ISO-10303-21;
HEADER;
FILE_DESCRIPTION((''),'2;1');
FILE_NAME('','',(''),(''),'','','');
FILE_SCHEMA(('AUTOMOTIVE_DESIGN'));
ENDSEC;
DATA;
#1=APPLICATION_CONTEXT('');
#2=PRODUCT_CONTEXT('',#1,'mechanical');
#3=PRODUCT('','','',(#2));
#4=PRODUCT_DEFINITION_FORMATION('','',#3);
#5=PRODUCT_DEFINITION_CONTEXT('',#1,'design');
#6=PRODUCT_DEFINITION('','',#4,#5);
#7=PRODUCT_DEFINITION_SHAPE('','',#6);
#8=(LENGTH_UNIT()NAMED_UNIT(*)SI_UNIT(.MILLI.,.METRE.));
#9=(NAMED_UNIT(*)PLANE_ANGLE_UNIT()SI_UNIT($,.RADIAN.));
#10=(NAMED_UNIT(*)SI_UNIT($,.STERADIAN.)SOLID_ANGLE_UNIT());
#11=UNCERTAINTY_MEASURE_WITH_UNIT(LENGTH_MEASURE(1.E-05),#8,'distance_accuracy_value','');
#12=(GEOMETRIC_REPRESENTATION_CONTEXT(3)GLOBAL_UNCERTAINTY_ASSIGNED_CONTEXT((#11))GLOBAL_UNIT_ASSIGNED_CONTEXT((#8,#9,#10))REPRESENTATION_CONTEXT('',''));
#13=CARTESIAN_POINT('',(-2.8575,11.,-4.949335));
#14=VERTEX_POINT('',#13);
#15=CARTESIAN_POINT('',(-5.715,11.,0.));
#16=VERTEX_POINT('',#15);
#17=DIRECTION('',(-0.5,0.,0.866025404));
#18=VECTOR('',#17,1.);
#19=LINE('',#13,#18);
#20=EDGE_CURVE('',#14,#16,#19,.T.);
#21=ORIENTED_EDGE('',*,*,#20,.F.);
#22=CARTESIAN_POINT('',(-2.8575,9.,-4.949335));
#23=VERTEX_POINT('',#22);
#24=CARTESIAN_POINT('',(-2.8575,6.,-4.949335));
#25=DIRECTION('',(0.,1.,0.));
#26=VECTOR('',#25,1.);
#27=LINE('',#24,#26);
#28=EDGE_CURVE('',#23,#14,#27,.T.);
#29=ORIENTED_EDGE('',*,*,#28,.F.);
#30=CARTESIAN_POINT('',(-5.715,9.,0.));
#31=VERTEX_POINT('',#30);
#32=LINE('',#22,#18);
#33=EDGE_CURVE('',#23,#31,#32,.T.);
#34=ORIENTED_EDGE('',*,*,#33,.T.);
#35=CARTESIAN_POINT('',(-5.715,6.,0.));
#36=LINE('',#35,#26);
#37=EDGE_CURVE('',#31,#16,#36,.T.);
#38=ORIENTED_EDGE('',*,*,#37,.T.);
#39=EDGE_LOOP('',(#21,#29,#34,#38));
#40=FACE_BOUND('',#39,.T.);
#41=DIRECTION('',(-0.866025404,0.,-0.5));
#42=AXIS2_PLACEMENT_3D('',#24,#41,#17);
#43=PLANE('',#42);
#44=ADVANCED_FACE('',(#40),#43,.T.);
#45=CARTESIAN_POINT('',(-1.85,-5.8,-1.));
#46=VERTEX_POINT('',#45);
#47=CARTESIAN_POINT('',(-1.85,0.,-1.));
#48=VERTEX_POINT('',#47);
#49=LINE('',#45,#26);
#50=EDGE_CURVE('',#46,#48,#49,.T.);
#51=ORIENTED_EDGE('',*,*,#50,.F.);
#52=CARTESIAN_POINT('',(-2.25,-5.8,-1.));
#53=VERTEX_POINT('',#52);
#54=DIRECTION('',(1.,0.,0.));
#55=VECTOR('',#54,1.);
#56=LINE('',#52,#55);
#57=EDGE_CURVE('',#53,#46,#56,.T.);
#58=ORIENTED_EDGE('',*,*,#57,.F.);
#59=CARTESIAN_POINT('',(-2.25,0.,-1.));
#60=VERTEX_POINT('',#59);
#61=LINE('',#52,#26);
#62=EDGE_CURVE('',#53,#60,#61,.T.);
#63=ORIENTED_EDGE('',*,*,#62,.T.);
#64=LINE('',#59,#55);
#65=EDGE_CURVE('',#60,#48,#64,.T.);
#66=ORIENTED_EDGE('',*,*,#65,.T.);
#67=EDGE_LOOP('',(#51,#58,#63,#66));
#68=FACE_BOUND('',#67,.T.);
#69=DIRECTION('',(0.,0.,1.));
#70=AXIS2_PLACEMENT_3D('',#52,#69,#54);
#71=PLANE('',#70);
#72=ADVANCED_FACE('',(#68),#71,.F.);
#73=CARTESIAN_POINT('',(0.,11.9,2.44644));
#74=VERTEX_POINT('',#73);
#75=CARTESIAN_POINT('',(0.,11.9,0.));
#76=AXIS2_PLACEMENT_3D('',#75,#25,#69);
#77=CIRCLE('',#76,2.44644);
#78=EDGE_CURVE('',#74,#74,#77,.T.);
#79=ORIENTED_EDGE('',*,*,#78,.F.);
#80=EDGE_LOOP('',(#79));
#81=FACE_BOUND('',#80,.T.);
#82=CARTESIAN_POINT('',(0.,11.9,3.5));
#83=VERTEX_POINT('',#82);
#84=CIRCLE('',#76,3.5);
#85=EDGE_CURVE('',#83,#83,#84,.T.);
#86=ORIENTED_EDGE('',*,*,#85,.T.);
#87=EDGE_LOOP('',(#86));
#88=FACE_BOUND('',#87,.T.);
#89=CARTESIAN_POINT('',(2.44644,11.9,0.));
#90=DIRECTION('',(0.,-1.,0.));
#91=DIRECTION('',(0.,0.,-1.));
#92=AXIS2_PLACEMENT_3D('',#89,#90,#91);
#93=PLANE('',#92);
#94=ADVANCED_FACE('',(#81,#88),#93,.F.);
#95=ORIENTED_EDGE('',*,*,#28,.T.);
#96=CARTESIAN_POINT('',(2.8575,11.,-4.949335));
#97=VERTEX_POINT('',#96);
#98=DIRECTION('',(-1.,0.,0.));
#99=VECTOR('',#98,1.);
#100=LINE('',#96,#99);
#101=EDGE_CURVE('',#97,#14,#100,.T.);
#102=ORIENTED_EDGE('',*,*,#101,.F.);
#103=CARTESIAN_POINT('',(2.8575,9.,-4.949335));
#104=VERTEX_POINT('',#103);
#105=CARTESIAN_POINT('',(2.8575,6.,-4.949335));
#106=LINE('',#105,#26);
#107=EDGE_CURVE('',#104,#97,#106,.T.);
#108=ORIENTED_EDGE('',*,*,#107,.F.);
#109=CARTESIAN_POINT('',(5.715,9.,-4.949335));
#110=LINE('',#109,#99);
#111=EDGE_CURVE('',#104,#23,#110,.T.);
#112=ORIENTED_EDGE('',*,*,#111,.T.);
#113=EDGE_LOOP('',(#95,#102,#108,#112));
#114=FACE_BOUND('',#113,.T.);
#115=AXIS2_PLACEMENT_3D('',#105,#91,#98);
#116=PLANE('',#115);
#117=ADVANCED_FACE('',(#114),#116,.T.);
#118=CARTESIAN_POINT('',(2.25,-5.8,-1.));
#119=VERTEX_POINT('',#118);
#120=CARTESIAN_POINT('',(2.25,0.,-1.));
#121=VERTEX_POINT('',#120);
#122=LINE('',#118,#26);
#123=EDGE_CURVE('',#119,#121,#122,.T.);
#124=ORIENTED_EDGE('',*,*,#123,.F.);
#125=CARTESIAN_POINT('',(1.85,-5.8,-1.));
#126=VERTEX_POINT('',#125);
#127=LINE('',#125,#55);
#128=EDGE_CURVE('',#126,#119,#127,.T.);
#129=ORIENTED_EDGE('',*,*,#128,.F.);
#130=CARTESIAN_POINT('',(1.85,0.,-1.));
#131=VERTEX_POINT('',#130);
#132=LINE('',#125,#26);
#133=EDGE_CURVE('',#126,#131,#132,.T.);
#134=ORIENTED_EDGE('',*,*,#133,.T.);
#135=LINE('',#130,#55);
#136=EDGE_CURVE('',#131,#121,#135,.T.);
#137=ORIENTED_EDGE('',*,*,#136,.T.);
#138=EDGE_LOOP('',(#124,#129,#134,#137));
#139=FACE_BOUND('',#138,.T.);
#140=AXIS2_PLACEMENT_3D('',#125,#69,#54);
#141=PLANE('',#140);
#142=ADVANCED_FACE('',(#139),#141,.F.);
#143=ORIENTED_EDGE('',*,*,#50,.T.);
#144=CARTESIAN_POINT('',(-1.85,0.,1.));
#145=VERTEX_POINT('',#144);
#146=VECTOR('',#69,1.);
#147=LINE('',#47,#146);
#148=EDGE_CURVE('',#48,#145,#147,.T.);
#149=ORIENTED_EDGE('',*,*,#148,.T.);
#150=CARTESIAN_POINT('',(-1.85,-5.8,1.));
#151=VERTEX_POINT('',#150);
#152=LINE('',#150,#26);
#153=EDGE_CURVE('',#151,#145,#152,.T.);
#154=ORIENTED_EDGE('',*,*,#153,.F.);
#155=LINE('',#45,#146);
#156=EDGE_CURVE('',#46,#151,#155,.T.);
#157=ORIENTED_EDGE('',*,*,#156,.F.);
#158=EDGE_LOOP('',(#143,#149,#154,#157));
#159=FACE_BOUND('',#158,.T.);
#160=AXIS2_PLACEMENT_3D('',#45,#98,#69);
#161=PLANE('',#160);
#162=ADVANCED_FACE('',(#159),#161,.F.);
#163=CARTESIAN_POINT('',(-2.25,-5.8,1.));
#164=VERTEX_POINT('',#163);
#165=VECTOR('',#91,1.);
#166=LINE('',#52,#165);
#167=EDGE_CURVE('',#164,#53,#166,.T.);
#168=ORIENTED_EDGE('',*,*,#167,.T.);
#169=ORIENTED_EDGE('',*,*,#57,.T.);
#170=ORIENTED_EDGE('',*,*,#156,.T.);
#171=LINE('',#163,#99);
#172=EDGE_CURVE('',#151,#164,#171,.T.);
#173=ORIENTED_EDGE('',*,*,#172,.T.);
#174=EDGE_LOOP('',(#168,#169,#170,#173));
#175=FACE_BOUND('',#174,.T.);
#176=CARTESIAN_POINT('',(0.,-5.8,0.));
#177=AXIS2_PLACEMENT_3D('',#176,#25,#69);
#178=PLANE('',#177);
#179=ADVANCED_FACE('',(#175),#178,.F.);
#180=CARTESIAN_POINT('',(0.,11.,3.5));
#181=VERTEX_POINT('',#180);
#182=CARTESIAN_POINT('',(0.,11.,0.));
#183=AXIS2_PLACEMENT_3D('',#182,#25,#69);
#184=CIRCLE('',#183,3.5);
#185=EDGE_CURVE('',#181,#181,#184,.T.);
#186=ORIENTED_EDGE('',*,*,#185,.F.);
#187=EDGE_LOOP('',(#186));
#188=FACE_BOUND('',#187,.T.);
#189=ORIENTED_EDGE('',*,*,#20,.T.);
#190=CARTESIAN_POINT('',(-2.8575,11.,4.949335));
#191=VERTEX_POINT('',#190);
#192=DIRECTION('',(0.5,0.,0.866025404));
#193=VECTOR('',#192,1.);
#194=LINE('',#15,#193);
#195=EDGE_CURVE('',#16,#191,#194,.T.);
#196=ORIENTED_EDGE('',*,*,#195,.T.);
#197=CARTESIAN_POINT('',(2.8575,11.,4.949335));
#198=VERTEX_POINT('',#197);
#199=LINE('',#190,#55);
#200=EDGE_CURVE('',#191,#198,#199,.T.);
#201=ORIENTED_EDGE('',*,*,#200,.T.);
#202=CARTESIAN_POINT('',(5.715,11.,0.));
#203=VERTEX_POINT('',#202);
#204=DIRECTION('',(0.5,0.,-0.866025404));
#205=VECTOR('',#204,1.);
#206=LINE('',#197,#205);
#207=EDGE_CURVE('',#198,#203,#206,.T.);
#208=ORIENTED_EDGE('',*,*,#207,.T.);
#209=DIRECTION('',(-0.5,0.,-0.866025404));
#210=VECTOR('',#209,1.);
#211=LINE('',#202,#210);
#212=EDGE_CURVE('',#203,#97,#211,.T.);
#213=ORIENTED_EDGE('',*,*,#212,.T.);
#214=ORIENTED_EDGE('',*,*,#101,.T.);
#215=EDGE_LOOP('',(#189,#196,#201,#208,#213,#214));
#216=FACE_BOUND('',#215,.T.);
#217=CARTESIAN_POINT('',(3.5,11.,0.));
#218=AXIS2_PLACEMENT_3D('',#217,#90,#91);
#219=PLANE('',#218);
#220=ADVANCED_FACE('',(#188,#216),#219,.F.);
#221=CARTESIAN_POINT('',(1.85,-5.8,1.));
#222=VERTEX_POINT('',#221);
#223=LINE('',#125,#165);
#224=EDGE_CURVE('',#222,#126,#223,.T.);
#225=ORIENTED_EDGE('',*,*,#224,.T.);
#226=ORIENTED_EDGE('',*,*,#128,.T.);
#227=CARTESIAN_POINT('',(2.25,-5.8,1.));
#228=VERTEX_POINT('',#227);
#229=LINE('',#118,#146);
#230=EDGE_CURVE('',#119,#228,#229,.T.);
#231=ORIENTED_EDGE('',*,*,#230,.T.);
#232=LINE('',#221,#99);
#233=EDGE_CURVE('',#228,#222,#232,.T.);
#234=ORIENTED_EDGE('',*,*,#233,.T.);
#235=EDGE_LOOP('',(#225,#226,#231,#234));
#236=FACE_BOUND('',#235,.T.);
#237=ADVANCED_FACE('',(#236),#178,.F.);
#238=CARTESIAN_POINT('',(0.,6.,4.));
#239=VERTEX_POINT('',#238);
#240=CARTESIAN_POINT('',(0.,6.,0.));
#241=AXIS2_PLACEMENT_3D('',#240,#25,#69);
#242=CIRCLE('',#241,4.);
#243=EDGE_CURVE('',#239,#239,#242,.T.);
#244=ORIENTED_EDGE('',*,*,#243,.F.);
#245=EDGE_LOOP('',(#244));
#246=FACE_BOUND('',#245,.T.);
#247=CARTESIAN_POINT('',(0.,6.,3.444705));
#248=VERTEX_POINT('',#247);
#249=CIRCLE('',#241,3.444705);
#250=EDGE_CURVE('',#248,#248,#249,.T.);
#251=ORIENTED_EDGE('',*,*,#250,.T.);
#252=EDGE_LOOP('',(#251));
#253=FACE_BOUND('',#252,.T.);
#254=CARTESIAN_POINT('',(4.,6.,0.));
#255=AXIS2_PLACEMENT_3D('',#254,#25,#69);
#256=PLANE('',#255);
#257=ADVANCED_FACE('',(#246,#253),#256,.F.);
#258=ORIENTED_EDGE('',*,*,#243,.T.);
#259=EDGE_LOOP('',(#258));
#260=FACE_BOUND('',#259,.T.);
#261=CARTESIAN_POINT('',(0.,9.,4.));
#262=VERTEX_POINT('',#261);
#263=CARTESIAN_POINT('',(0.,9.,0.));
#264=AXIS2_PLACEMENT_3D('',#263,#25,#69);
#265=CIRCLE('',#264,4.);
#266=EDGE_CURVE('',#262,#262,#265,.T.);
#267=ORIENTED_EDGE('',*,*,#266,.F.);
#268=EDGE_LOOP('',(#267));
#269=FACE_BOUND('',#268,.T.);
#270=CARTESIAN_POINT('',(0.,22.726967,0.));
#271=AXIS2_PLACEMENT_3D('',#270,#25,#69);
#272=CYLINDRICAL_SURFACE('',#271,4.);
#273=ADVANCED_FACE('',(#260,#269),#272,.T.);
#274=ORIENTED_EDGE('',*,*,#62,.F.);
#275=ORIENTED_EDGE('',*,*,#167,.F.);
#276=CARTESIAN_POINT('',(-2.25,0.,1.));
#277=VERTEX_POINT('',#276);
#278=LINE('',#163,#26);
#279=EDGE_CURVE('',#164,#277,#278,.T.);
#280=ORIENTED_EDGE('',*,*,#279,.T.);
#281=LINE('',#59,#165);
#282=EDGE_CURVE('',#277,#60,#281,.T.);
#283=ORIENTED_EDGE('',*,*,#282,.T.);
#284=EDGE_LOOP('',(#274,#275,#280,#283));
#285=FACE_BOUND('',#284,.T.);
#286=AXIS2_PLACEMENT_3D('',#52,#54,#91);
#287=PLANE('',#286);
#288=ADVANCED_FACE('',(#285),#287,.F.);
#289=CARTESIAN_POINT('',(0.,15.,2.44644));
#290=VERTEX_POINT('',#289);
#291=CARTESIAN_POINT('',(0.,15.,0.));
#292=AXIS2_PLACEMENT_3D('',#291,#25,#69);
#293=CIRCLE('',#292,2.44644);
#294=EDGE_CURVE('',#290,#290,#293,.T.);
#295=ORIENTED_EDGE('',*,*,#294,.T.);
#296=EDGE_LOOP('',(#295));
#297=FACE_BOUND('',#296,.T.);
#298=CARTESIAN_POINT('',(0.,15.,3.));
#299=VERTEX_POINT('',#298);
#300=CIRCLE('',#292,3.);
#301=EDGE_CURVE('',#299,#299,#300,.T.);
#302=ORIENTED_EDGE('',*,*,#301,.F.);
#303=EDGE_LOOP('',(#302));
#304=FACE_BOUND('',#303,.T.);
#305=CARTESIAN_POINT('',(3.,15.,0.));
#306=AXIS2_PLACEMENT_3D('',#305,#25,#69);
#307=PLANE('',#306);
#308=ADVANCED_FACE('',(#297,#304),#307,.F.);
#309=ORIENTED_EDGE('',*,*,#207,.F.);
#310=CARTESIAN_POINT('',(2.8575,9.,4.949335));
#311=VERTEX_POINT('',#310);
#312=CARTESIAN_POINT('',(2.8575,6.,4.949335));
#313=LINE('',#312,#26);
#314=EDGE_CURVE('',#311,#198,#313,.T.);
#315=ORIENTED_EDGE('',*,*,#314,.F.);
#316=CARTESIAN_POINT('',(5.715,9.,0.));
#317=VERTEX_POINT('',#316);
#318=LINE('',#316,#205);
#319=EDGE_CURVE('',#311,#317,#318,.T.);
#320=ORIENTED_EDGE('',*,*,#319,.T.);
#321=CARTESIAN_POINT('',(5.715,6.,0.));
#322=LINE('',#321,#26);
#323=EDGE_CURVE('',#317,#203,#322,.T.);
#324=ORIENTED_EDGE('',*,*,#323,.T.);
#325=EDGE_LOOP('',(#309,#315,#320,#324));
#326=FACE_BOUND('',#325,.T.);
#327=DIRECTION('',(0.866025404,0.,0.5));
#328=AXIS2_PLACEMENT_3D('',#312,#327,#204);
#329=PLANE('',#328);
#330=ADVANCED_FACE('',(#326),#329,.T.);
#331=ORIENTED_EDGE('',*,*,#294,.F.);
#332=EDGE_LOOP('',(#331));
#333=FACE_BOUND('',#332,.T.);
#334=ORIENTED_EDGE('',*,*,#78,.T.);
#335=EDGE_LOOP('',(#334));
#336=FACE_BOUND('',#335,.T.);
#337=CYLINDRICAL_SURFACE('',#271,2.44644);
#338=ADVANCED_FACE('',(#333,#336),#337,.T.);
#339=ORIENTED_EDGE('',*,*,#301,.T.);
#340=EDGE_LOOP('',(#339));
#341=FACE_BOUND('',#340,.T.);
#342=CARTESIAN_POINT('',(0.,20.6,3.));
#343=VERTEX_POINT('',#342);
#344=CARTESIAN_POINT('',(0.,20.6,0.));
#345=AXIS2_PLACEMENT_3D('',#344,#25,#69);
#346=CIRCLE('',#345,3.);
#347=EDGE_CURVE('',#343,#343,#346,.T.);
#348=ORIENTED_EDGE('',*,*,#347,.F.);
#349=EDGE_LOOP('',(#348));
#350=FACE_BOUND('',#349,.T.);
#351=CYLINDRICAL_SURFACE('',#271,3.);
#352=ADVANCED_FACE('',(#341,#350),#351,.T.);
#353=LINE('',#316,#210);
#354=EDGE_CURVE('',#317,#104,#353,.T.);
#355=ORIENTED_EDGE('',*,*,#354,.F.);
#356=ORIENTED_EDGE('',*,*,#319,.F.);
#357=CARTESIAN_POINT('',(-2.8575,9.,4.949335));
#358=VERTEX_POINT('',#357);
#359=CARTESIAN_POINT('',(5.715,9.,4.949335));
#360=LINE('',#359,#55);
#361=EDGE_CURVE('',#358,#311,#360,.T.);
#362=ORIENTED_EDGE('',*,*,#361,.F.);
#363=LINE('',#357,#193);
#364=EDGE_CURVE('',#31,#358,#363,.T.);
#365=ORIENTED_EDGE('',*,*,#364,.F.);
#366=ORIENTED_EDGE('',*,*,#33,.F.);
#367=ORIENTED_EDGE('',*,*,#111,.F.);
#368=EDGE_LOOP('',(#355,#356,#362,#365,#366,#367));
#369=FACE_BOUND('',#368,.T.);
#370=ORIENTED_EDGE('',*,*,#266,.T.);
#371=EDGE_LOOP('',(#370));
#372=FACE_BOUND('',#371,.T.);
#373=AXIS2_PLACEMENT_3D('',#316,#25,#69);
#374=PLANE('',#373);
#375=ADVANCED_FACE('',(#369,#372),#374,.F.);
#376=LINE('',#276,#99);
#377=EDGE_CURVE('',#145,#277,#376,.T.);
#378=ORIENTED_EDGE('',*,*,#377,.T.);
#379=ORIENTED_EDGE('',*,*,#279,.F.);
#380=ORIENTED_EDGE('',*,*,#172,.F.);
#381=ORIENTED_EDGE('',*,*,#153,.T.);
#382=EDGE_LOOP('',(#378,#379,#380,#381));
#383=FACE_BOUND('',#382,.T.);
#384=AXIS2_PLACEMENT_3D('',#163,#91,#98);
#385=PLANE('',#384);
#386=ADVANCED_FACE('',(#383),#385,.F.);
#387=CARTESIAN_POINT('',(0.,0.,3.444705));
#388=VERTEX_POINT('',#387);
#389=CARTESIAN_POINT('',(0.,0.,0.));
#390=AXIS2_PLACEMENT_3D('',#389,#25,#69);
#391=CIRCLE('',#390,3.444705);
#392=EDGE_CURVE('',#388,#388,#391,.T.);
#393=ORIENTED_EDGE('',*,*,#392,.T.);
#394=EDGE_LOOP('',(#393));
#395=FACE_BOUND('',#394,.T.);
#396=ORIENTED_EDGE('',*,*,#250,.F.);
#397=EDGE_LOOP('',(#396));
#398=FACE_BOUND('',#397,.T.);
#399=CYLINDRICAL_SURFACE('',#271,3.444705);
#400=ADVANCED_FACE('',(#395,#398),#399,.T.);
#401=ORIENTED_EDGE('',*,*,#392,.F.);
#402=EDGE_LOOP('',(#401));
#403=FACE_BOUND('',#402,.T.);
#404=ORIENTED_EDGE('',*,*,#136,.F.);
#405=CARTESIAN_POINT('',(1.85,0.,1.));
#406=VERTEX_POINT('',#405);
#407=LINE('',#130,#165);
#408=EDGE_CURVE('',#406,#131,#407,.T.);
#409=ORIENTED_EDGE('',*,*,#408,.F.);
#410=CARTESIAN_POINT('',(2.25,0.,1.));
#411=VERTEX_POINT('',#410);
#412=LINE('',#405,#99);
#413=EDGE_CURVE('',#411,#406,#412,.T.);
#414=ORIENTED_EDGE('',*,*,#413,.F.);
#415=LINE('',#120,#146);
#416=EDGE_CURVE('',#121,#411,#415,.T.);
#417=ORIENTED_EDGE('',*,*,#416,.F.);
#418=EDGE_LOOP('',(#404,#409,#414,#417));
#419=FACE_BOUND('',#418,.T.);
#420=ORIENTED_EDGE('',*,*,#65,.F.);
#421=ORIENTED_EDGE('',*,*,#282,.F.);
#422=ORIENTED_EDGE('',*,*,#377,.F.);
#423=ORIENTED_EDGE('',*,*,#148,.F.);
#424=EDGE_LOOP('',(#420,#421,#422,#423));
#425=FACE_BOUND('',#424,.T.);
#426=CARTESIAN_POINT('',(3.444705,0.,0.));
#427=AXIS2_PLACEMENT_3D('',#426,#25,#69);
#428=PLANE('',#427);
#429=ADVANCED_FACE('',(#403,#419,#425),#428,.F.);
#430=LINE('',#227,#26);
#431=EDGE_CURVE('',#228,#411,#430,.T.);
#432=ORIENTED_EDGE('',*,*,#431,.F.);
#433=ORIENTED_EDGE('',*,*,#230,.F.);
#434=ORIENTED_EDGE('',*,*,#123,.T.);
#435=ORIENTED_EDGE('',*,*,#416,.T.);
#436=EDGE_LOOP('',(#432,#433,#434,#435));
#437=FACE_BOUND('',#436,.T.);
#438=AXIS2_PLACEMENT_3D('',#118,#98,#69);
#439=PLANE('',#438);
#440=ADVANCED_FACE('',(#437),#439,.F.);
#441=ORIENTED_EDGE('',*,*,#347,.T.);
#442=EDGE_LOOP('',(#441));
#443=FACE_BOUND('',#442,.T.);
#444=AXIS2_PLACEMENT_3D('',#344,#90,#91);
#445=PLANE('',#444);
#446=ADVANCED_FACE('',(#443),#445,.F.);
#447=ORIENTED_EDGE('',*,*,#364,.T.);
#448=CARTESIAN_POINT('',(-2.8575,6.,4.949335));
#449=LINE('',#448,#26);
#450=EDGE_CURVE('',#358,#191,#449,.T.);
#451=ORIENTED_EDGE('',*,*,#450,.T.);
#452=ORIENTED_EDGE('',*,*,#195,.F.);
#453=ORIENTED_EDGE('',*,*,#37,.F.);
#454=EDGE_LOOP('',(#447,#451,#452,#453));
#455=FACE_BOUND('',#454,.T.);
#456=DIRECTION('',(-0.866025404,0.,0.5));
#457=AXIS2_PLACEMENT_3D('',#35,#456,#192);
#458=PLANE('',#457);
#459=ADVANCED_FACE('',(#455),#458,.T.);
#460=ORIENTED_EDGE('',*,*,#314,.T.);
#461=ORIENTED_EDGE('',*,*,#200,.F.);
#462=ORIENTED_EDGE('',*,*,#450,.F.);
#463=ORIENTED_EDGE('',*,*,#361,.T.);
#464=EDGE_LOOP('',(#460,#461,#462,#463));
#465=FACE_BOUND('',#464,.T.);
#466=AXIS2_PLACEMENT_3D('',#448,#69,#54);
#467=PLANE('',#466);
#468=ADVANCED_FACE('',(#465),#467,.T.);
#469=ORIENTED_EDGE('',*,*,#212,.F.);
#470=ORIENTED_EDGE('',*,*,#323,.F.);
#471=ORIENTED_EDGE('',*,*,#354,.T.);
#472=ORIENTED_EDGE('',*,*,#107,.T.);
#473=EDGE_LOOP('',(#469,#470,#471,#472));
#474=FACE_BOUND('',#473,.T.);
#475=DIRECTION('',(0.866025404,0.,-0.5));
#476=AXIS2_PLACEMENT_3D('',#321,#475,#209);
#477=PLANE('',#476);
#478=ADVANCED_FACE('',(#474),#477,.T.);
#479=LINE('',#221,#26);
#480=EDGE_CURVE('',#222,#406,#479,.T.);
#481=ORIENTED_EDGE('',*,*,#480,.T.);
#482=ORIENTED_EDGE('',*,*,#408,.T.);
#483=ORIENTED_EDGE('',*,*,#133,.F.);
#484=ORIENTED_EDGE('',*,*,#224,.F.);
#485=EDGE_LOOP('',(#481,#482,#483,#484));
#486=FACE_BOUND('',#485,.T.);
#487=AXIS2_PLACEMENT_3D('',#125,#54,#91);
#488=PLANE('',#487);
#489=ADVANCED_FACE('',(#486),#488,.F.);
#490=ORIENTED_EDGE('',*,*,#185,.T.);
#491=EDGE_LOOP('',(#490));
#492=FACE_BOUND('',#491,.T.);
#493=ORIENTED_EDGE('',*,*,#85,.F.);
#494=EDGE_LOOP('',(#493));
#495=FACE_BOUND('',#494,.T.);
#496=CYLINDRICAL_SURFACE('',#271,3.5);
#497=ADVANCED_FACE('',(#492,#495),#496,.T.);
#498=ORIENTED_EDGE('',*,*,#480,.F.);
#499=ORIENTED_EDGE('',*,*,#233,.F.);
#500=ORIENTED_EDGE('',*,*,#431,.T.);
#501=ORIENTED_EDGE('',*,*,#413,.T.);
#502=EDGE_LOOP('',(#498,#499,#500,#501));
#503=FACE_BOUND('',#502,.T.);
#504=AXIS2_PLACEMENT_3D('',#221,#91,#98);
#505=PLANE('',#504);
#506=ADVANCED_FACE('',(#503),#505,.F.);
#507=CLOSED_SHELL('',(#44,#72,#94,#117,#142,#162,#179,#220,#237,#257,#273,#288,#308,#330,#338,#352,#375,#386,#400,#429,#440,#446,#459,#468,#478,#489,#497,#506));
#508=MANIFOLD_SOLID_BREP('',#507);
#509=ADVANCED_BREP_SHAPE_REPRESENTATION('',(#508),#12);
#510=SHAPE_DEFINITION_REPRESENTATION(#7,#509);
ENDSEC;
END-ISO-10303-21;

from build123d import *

# Parameters (mm, degrees)
SKETCH2_R           = 6.57086473
CUT_EXTRUDE3_DEPTH  = 5
SKETCH3_W           = 0.4
SKETCH3_H           = 2
BOSS_EXTRUDE2_DEPTH = 5.8


with BuildPart() as part:
    # Sketch1 → Revolve2 (revolve)
    with BuildSketch(Plane.XY, mode=Mode.PRIVATE) as revolve2_sk:
        Polygon((0, 20.6), (3, 20.6), (3, 15), (2.446439684, 15), (2.446439684, 11.9), (3.5, 11.9), (3.5, 11), (5.715, 11), (5.715, 9), (4, 9), (4, 6), (3.444705053, 6), (3.444705053, 0), (0, 0), align=None)
    revolve(revolve2_sk.sketch.rotate(Axis((0, 22.726966954, 0), (0, -1, 0)), 90), axis=Axis((0, 22.726966954, 0), (0, -1, 0)))

    # Sketch2 → Cut-Extrude3 (cut)
    with BuildSketch(Plane(origin=(0, 11, 0), x_dir=(1, 0, 0), z_dir=(0, 1, 0))):
        Circle(SKETCH2_R)
        Polygon((5.715, 0), (2.8575, 4.949335183), (-2.8575, 4.949335183), (-5.715, 0), (-2.8575, -4.949335183), (2.8575, -4.949335183), align=None, mode=Mode.SUBTRACT)
    extrude(amount=-CUT_EXTRUDE3_DEPTH, mode=Mode.SUBTRACT)

    # Sketch3 → Boss-Extrude2 (add)
    with BuildSketch(Plane.XZ):
        with Locations((-2.05, 0)):
            Rectangle(SKETCH3_W, SKETCH3_H)
        with Locations((2.05, 0)):
            Rectangle(SKETCH3_W, SKETCH3_H)
    extrude(amount=BOSS_EXTRUDE2_DEPTH)


solid = part.part
